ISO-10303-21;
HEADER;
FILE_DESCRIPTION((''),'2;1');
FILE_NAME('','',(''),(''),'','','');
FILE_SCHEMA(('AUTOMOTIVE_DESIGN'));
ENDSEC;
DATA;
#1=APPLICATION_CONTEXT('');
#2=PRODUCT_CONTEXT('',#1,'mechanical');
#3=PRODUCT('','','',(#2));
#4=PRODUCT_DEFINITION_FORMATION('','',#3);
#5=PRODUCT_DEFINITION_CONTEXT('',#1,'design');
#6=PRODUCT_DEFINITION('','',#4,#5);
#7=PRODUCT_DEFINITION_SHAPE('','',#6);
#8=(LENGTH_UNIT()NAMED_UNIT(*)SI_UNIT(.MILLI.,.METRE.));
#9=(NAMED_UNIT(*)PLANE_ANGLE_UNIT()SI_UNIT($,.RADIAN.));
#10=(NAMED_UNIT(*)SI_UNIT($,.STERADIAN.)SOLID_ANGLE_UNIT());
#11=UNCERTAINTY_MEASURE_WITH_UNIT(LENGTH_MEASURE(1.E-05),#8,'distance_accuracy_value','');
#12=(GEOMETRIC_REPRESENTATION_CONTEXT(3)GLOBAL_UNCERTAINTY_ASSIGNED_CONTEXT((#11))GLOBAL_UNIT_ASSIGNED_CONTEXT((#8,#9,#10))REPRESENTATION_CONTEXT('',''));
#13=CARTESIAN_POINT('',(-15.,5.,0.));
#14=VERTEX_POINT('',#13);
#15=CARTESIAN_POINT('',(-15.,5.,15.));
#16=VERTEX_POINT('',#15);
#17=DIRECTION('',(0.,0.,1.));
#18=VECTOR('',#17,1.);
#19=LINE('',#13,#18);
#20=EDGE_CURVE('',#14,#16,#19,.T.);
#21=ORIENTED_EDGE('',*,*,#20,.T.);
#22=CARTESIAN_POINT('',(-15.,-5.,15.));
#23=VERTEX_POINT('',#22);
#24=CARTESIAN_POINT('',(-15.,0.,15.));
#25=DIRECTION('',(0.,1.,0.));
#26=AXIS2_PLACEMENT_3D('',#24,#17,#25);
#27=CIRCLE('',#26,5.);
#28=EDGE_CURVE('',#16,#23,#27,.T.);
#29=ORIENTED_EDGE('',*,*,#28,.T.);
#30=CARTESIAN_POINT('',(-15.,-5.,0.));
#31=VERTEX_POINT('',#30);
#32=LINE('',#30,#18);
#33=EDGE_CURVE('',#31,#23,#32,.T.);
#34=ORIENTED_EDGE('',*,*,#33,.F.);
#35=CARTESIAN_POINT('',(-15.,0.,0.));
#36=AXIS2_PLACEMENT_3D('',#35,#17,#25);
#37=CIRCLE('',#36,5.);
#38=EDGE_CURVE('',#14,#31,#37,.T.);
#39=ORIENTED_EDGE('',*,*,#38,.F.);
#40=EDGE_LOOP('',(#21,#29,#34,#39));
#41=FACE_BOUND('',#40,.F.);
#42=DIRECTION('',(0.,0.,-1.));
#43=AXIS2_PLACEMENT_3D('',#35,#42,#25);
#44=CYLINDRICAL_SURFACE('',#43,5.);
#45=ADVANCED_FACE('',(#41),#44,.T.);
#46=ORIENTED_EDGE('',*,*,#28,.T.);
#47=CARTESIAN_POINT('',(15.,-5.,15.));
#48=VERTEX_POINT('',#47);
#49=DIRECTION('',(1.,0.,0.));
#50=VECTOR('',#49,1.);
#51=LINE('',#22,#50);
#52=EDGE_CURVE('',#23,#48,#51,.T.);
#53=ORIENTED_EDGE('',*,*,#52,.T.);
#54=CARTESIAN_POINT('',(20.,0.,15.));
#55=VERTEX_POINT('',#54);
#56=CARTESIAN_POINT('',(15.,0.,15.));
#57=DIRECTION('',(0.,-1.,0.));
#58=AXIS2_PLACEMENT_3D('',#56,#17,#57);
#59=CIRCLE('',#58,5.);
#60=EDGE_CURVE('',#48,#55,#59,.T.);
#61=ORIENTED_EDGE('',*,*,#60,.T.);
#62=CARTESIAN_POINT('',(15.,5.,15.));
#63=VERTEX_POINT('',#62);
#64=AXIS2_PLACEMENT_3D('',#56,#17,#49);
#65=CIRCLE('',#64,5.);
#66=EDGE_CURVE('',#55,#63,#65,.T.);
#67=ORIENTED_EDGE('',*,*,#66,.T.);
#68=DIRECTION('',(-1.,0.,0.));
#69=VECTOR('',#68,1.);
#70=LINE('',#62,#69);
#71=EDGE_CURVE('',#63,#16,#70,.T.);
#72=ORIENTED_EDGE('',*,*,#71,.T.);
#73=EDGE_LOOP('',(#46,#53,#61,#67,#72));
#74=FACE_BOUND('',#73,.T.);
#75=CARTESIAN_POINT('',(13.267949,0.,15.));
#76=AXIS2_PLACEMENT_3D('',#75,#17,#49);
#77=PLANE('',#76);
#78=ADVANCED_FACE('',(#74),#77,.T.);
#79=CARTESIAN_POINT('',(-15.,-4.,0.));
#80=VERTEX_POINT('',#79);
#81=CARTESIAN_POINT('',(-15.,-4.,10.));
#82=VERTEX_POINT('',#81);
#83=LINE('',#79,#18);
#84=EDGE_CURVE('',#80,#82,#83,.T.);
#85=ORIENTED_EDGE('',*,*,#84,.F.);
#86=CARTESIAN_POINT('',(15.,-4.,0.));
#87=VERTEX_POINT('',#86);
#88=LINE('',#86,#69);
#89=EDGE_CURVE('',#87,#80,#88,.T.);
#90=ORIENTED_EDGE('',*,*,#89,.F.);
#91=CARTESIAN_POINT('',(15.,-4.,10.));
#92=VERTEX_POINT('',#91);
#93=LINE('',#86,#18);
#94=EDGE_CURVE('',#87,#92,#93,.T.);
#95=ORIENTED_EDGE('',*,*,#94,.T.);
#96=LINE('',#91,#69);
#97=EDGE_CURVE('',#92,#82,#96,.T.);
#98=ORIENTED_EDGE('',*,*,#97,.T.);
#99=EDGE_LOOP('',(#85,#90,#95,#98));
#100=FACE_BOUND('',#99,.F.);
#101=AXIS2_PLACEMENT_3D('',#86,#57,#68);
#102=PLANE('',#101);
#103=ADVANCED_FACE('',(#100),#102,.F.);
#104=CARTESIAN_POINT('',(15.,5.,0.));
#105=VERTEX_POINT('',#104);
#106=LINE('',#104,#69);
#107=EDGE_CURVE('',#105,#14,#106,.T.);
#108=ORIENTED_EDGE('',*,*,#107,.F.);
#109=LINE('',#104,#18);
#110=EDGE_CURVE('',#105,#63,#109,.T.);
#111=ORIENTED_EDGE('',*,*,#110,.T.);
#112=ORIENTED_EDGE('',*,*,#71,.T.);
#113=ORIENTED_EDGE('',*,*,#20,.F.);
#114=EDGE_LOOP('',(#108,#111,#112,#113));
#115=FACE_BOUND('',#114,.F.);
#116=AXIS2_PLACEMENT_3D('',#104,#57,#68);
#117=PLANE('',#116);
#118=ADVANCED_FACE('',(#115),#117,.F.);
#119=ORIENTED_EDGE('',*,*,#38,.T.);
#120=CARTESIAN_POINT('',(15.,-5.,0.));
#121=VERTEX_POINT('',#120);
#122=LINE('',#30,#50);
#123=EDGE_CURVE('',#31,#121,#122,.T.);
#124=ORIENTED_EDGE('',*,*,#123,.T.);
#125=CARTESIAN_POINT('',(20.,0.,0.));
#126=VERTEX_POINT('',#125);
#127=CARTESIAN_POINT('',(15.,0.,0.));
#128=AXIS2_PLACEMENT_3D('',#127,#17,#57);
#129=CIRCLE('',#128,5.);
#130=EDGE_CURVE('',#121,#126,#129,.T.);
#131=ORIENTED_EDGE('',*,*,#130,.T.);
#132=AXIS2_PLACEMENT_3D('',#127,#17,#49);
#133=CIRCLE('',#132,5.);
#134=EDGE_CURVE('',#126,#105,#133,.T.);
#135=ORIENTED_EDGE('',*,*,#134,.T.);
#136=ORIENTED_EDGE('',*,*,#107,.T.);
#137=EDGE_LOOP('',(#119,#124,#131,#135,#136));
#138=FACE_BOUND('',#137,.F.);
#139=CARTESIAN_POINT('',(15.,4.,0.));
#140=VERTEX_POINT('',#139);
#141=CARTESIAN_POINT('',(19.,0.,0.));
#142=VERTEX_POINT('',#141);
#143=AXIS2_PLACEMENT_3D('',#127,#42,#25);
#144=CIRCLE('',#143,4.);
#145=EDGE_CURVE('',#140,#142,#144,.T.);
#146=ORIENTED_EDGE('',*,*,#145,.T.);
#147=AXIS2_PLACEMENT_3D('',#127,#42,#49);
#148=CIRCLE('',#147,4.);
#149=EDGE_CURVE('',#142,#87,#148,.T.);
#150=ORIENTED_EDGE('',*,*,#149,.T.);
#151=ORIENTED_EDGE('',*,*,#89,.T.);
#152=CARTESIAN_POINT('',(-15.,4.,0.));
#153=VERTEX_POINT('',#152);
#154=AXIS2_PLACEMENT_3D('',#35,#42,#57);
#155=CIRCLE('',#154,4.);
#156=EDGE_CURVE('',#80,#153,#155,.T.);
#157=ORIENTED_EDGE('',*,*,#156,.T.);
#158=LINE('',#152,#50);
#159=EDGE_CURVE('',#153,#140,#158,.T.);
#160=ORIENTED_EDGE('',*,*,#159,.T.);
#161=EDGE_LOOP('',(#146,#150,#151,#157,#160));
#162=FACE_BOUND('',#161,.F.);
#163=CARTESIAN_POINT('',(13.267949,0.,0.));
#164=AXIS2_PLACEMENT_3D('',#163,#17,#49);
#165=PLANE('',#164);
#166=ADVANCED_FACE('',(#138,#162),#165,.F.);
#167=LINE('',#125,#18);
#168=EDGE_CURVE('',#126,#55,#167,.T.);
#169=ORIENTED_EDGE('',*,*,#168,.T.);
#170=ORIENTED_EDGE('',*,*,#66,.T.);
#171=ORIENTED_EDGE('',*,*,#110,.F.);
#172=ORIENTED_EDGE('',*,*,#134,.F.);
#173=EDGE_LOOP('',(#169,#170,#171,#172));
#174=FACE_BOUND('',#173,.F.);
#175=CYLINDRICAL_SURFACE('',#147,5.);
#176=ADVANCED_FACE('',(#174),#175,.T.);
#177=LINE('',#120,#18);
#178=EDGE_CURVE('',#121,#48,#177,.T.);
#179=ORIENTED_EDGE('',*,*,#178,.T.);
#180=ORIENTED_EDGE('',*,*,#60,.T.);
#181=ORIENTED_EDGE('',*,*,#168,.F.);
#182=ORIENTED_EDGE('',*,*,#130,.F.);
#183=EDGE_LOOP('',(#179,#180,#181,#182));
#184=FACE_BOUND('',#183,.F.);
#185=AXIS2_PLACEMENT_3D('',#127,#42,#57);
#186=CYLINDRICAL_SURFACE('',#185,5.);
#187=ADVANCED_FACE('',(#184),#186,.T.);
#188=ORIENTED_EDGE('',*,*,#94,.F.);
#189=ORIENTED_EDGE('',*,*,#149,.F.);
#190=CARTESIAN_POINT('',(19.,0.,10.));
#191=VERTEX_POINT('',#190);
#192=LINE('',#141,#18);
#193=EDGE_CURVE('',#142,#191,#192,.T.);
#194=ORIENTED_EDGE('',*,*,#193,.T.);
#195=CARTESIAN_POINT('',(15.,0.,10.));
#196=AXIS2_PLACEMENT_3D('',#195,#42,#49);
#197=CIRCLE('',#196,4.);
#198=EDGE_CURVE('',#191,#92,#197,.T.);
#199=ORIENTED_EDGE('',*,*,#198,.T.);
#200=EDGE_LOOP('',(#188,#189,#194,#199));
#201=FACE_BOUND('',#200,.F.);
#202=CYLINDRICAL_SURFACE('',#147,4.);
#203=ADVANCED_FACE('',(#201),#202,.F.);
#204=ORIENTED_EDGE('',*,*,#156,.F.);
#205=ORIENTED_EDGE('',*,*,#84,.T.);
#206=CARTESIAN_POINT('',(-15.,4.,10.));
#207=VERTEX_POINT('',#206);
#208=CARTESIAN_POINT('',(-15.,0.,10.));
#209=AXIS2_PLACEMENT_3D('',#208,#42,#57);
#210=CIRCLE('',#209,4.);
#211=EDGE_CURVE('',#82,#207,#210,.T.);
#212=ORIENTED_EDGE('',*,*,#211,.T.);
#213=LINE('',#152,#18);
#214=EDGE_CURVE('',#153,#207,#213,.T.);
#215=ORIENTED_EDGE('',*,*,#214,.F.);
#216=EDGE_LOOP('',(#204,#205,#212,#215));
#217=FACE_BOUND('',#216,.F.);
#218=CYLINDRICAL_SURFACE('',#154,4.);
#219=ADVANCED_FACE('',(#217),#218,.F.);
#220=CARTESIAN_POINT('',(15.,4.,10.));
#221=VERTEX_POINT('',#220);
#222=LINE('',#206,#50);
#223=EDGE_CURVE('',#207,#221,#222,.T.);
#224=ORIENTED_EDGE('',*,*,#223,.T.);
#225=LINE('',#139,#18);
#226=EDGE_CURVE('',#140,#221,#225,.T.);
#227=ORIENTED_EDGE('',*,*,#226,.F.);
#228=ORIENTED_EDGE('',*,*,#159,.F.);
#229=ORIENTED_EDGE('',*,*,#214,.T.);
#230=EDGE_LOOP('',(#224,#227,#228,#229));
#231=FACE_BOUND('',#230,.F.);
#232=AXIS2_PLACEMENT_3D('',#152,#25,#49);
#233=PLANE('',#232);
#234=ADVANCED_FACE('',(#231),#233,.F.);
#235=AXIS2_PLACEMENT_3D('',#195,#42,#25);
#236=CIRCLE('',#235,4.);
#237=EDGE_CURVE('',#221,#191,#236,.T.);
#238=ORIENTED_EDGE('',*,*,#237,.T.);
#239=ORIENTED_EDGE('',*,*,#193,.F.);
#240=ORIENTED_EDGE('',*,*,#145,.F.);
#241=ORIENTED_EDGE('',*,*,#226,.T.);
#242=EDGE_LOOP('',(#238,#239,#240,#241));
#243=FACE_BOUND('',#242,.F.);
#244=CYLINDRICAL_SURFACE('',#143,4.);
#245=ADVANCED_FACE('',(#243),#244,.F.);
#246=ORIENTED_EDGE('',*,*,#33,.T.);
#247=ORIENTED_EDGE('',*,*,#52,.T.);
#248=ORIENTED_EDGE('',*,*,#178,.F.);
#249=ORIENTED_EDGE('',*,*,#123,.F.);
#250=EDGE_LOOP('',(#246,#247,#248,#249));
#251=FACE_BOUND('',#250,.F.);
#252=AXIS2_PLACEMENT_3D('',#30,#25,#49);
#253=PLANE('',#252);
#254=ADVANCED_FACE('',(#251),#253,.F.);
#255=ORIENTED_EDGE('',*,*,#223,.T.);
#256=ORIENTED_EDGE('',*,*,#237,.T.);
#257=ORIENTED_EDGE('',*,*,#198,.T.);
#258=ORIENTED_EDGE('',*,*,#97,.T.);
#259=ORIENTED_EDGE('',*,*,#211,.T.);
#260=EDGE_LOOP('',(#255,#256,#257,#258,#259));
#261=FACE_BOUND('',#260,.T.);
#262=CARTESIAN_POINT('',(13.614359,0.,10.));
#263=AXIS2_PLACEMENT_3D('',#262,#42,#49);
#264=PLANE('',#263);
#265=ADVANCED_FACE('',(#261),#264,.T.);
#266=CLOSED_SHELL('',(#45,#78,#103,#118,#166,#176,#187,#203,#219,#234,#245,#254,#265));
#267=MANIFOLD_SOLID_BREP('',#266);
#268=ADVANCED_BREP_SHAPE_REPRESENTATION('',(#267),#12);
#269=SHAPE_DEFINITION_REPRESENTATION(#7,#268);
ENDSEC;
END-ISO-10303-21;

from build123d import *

# Parameters (mm, degrees)
F1_DEPTH = 15
F3_DEPTH = 10


with BuildPart() as f1:
    # F0 (on Top) → F1 (new body)
    with BuildSketch(Plane.XY):
        with BuildLine():
            ThreePointArc((15, 5), (10, 0), (15, -5))
            Line((15, -5), (15, 5))
        make_face()
        with BuildLine():
            Line((-15, -5), (15, -5))
            ThreePointArc((15, -5), (10, 0), (15, 5))
            Line((15, 5), (-15, 5))
            ThreePointArc((-15, 5), (-11.4644660941, 3.5355339059), (-10, 0))
            ThreePointArc((-10, 0), (-11.4644660941, -3.5355339059), (-15, -5))
        make_face()
        with BuildLine():
            Line((15, 5), (15, -5))
            ThreePointArc((15, -5), (18.5355339059, -3.5355339059), (20, 0))
            ThreePointArc((20, 0), (18.5355339059, 3.5355339059), (15, 5))
        make_face()
        with BuildLine():
            ThreePointArc((-15, 5), (-20, 0), (-15, -5))
            Line((-15, -5), (-15, 5))
        make_face()
        with BuildLine():
            Line((-15, 5), (-15, -5))
            ThreePointArc((-15, -5), (-11.4644660941, -3.5355339059), (-10, 0))
            ThreePointArc((-10, 0), (-11.4644660941, 3.5355339059), (-15, 5))
        make_face()
    extrude(amount=F1_DEPTH)

    # F2 (on face) → F3 (cut)
    with BuildSketch(Plane(origin=(0, 0, 0), x_dir=(1, 0, 0), z_dir=(0, 0, -1))):
        with BuildLine():
            ThreePointArc((15, 4), (11, 0), (15, -4))
            Line((15, -4), (15, 4))
        make_face()
        with BuildLine():
            Line((-15, -4), (15, -4))
            ThreePointArc((15, -4), (11, 0), (15, 4))
            Line((15, 4), (-15, 4))
            ThreePointArc((-15, 4), (-12.1715728753, 2.8284271247), (-11, 0))
            ThreePointArc((-11, 0), (-12.1715728753, -2.8284271247), (-15, -4))
        make_face()
        with BuildLine():
            Line((15, 4), (15, -4))
            ThreePointArc((15, -4), (17.8284271247, -2.8284271247), (19, 0))
            ThreePointArc((19, 0), (17.8284271247, 2.8284271247), (15, 4))
        make_face()
        with BuildLine():
            ThreePointArc((-15, 4), (-19, 0), (-15, -4))
            Line((-15, -4), (-15, 4))
        make_face()
        with BuildLine():
            Line((-15, 4), (-15, -4))
            ThreePointArc((-15, -4), (-12.1715728753, -2.8284271247), (-11, 0))
            ThreePointArc((-11, 0), (-12.1715728753, 2.8284271247), (-15, 4))
        make_face()
    extrude(amount=-F3_DEPTH, mode=Mode.SUBTRACT)


solid = f1.part
